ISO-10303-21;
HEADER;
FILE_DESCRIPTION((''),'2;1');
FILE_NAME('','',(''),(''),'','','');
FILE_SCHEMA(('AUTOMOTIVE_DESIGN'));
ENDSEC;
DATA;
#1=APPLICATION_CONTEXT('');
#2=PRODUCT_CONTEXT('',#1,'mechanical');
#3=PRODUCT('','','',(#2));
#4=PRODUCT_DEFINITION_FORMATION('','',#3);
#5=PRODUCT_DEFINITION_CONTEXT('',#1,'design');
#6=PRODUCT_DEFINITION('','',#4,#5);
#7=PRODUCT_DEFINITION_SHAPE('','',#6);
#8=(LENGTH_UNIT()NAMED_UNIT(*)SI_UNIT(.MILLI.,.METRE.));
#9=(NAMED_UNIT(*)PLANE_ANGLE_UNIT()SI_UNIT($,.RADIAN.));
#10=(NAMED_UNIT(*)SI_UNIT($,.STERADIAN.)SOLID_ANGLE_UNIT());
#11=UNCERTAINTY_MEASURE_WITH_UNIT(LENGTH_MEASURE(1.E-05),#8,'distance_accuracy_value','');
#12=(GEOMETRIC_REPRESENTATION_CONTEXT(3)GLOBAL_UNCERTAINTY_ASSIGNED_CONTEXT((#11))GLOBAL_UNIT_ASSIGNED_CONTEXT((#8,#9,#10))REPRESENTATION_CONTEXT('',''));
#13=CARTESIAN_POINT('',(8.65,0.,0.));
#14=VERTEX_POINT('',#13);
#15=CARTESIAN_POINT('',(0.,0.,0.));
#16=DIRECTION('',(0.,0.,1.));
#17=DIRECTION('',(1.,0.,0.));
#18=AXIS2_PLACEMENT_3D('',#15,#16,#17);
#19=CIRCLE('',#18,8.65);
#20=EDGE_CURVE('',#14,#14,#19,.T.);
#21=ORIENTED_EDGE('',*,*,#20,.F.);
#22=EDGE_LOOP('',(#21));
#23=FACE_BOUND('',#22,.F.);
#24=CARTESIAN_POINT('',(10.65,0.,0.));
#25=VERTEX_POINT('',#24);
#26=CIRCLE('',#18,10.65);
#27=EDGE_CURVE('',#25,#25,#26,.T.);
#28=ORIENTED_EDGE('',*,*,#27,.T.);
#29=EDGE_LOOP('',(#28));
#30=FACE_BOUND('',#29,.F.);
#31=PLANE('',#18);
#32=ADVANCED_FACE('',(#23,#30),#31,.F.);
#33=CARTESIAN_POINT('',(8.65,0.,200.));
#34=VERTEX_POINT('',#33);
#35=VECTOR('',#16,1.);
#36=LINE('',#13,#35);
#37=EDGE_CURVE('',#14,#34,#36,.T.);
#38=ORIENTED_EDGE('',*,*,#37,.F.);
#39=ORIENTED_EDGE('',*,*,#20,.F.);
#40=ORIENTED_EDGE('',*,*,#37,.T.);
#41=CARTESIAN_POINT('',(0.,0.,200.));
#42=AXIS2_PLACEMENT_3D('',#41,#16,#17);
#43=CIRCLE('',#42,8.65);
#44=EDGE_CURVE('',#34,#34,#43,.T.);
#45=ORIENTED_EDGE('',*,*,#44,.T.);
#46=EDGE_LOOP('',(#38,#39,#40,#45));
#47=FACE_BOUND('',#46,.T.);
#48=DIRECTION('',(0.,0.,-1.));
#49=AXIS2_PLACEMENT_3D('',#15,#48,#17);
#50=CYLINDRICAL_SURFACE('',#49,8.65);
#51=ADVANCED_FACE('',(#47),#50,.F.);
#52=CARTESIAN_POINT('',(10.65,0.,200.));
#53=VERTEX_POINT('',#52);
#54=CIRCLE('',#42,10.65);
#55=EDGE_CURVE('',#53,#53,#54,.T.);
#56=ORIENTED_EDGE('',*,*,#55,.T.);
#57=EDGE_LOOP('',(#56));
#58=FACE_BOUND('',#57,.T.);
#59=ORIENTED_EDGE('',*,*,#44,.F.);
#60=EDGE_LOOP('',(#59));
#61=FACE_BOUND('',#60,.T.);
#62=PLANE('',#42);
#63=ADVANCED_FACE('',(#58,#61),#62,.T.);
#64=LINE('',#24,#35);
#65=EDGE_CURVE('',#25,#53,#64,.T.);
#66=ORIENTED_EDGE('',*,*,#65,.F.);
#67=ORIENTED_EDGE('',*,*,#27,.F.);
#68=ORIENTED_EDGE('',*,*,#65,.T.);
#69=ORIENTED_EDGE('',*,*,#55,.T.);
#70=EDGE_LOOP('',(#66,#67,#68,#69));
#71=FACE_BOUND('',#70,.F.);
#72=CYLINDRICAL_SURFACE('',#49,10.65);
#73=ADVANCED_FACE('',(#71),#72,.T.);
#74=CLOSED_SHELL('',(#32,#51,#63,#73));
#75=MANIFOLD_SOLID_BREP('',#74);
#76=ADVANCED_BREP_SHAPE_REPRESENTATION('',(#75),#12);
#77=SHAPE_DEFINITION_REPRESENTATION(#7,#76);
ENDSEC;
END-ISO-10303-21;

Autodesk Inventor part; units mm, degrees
ref_plane "YZ Plane" through (0, 0, 0) normal (1, 0, 0) x (0, 1, 0)
ref_plane "Start plane" through (0, 0, 0) normal (0, 0, 1) x (1, 0, 0)
ref_plane "End plane" through (0, 0, 200) normal (0, 0, 1) x (1, 0, 0)
sketch "Sketch" plane through (0, 0, 0) normal (0, 0, 1) x (1, 0, 0)
  circle A0 centre (0, 0) radius 8.65
  circle A1 centre (0, 0) radius 10.65
  dimension "d0" = 21.3
  dimension "d1" = 2
extrude "Body" add sketch "Sketch" along normal up to surface (200 mm away) from surface at 0
sketch "Sketch3" plane through (0, 0, 0) normal (0, 0, 1) x (1, 0, 0)
  line L0 (0, 0) -> (10, 0)
ref_plane "Work Plane3" through (0, 0, 0) normal (0, -1, 0) x (1, 0, 0)
sketch "Sketch4" plane through (0, 0, 0) normal (0, -1, 0) x (1, 0, 0)
  line L0 (-2, 0) -> (12, 0)
  line L1 (-2, 200) -> (12, 200)
  dimension "d7" = 200
equation "\"d0\" = G_H"
equation "\"d1\" = G_T"
equation "\"d2\" = G_L"
equation "\"G_H\" = 21.3"
equation "\"G_T\" = 2"
equation "\"G_L\" = d7"
equation "\"G_OFFSET_START\" = 0"
equation "\"G_OFFSET_END\" = 0"
equation "\"d5\" = G_OFFSET_END + B_L"
equation "\"B_L\" = 200"
properties part number "UNI EN 10219-2 - 21,3 x 2 - 200" material "Steel, Mild"
